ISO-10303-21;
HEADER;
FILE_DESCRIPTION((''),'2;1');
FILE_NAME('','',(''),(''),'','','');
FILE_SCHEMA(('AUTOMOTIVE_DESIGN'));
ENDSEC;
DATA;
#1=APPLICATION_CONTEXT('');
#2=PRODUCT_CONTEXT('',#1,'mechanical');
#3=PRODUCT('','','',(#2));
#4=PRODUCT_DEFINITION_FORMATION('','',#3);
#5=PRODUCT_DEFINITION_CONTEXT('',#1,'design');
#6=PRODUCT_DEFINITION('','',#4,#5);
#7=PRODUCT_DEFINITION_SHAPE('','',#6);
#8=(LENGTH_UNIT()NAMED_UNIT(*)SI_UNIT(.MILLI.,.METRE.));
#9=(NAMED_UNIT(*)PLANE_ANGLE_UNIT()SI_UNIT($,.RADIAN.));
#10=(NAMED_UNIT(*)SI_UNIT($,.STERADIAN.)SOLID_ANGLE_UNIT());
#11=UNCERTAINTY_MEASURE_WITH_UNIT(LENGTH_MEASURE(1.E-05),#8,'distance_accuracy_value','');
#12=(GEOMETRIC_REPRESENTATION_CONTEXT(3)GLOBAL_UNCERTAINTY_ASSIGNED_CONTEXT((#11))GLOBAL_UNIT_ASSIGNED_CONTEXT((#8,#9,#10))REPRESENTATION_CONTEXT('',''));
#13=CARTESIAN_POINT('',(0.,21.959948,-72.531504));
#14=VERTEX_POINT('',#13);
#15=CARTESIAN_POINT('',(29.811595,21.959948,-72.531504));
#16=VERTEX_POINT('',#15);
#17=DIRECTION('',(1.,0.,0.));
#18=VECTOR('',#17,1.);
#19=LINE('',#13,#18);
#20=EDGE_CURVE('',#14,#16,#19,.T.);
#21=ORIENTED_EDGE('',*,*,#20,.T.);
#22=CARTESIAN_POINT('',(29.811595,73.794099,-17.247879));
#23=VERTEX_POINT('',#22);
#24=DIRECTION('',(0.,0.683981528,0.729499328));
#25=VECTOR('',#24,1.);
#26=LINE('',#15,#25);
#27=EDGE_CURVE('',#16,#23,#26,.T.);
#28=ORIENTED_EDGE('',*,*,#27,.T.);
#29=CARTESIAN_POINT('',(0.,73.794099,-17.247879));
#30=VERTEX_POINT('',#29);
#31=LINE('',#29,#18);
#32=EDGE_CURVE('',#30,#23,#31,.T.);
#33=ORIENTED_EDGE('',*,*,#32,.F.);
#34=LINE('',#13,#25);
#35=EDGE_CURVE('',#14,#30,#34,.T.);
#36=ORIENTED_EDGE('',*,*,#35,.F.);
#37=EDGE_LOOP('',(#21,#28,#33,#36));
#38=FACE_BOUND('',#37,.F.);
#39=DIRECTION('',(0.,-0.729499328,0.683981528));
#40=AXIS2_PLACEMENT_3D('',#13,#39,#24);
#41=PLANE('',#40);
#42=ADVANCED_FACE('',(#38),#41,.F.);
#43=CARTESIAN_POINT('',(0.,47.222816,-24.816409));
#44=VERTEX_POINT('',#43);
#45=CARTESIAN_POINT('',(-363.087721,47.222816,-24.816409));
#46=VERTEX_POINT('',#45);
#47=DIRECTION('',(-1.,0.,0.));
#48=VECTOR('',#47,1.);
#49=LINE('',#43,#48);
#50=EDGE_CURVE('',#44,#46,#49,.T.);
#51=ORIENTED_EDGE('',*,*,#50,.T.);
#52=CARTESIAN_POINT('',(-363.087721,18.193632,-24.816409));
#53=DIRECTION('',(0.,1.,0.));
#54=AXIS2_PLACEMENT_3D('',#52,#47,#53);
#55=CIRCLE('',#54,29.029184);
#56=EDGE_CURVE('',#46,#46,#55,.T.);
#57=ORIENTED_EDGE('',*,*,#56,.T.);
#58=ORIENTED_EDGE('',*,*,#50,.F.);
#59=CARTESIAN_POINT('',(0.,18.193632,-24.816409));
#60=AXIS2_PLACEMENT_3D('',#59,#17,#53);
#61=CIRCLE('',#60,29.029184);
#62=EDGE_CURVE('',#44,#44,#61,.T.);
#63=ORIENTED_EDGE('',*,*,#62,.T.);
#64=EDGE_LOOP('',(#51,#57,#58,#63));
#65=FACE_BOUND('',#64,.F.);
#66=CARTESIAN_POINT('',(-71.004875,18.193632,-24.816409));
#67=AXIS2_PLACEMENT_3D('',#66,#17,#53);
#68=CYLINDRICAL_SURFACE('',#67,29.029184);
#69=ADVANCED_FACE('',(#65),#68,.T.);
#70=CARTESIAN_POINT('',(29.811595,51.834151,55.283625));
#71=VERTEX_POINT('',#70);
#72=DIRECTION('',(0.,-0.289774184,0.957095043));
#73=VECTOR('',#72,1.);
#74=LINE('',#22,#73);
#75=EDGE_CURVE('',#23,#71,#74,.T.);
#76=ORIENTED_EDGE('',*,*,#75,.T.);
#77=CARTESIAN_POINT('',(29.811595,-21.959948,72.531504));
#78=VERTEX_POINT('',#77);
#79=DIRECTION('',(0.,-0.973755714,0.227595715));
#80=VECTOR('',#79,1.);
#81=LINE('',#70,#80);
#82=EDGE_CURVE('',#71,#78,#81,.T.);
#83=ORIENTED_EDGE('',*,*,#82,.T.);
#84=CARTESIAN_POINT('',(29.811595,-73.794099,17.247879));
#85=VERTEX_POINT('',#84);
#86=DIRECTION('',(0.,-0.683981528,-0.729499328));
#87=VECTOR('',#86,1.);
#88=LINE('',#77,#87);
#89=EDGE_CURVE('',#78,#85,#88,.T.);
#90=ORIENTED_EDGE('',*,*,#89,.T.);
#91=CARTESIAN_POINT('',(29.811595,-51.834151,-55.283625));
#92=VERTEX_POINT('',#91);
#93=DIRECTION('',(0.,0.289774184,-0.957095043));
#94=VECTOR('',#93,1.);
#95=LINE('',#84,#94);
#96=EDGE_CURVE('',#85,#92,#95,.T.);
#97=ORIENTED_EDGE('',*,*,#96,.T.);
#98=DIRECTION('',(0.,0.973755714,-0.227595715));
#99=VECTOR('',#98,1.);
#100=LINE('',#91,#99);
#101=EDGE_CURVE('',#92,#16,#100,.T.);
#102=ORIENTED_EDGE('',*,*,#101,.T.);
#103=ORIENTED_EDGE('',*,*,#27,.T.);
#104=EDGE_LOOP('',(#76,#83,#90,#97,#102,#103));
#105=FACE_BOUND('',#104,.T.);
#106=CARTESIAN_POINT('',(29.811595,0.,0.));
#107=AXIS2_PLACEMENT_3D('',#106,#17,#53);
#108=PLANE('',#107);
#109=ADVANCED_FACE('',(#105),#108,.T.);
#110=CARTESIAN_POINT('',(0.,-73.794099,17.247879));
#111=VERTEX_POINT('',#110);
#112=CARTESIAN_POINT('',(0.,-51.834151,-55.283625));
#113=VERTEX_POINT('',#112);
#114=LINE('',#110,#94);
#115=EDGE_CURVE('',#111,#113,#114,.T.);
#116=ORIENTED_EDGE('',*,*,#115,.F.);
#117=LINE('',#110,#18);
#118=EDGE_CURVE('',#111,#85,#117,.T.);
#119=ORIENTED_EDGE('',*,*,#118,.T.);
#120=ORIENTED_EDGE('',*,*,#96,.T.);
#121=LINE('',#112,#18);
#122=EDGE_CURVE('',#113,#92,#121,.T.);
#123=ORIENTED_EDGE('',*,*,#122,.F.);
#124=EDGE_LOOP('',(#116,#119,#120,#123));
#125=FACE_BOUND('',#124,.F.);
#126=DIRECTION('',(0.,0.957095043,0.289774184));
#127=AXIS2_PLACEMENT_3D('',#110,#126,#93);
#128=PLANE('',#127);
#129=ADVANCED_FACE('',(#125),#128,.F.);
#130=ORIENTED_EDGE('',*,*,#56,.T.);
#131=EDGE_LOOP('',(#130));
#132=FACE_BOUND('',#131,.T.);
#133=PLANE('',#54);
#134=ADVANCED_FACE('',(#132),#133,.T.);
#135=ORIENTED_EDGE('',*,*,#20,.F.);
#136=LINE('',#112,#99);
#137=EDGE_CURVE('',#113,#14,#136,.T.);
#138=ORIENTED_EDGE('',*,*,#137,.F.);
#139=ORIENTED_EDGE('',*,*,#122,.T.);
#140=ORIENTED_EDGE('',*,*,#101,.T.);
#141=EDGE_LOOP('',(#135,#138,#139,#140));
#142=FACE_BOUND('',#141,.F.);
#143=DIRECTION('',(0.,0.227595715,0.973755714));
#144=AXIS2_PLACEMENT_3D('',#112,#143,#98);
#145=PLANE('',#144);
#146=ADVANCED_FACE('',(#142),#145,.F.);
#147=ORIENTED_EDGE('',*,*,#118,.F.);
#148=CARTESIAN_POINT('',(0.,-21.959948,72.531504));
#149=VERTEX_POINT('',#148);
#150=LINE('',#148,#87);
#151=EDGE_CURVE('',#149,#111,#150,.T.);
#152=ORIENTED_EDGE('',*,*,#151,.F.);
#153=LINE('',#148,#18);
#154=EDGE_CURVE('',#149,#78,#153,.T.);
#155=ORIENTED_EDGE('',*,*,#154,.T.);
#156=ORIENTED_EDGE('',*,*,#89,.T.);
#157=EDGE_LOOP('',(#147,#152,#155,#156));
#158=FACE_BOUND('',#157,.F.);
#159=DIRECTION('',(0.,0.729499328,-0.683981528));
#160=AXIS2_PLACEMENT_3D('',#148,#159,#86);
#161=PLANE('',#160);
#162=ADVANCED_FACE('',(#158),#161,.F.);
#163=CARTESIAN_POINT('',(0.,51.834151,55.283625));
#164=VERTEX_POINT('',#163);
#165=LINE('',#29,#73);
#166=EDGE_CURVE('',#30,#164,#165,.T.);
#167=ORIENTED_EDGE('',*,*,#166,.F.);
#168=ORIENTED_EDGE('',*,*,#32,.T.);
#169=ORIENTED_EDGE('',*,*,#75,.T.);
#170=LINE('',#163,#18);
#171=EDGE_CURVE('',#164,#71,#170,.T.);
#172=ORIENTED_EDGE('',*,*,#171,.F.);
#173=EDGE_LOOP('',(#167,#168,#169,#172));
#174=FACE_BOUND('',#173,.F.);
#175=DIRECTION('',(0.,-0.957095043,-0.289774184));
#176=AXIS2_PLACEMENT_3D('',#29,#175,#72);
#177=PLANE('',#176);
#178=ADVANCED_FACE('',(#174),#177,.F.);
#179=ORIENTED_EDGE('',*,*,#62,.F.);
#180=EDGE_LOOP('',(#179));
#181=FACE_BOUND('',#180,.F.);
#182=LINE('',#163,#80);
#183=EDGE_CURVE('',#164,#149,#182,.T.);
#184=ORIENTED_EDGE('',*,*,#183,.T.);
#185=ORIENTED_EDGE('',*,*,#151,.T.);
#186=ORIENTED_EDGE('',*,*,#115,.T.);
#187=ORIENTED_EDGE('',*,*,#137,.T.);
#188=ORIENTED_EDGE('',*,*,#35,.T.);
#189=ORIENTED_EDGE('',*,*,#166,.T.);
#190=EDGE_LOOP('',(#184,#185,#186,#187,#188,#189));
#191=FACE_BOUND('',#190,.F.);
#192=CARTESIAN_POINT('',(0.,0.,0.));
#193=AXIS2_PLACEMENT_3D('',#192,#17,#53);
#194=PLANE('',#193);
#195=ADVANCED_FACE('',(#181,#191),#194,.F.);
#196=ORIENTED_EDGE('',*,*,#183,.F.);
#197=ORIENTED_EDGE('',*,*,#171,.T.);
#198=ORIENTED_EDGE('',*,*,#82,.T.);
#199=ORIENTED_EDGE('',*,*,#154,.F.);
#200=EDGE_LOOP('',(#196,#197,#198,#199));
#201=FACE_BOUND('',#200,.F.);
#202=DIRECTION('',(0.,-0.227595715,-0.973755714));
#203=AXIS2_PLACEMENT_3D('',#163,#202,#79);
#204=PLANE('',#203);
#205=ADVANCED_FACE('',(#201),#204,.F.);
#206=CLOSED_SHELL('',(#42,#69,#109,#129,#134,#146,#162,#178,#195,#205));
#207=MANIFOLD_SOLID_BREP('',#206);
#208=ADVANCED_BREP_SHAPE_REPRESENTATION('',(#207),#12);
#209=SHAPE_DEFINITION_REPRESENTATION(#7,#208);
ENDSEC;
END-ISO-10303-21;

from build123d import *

# Parameters (mm, degrees)
F1_DEPTH  = 29.811595
F2_R      = 29.029184
F3_DEPTH  = 71.004875
F3_FACE_R = 29.029184
F4_DEPTH  = 292.082846


with BuildPart() as f1:
    # F0 (on Right) → F1 (new body)
    with BuildSketch(Plane.YZ):
        Polygon((-73.794099, 17.247879), (-51.834151, -55.283625), (21.959948, -72.531504), (73.794099, -17.247879), (51.834151, 55.283625), (-21.959948, 72.531504), align=None)
    extrude(amount=F1_DEPTH)

    # F2 (on Right) → F3 (join)
    with BuildSketch(Plane.YZ):
        with Locations((18.193632, -24.816409)):
            Circle(F2_R)
    extrude(amount=-F3_DEPTH)

    # F3_face (on face) → F4 (join)
    with BuildSketch(Plane(origin=(-71.004875, 18.193632, -24.816409), x_dir=(0, 1, 0), z_dir=(-1, 0, 0))):
        Circle(F3_FACE_R)
    extrude(amount=F4_DEPTH)


solid = f1.part
